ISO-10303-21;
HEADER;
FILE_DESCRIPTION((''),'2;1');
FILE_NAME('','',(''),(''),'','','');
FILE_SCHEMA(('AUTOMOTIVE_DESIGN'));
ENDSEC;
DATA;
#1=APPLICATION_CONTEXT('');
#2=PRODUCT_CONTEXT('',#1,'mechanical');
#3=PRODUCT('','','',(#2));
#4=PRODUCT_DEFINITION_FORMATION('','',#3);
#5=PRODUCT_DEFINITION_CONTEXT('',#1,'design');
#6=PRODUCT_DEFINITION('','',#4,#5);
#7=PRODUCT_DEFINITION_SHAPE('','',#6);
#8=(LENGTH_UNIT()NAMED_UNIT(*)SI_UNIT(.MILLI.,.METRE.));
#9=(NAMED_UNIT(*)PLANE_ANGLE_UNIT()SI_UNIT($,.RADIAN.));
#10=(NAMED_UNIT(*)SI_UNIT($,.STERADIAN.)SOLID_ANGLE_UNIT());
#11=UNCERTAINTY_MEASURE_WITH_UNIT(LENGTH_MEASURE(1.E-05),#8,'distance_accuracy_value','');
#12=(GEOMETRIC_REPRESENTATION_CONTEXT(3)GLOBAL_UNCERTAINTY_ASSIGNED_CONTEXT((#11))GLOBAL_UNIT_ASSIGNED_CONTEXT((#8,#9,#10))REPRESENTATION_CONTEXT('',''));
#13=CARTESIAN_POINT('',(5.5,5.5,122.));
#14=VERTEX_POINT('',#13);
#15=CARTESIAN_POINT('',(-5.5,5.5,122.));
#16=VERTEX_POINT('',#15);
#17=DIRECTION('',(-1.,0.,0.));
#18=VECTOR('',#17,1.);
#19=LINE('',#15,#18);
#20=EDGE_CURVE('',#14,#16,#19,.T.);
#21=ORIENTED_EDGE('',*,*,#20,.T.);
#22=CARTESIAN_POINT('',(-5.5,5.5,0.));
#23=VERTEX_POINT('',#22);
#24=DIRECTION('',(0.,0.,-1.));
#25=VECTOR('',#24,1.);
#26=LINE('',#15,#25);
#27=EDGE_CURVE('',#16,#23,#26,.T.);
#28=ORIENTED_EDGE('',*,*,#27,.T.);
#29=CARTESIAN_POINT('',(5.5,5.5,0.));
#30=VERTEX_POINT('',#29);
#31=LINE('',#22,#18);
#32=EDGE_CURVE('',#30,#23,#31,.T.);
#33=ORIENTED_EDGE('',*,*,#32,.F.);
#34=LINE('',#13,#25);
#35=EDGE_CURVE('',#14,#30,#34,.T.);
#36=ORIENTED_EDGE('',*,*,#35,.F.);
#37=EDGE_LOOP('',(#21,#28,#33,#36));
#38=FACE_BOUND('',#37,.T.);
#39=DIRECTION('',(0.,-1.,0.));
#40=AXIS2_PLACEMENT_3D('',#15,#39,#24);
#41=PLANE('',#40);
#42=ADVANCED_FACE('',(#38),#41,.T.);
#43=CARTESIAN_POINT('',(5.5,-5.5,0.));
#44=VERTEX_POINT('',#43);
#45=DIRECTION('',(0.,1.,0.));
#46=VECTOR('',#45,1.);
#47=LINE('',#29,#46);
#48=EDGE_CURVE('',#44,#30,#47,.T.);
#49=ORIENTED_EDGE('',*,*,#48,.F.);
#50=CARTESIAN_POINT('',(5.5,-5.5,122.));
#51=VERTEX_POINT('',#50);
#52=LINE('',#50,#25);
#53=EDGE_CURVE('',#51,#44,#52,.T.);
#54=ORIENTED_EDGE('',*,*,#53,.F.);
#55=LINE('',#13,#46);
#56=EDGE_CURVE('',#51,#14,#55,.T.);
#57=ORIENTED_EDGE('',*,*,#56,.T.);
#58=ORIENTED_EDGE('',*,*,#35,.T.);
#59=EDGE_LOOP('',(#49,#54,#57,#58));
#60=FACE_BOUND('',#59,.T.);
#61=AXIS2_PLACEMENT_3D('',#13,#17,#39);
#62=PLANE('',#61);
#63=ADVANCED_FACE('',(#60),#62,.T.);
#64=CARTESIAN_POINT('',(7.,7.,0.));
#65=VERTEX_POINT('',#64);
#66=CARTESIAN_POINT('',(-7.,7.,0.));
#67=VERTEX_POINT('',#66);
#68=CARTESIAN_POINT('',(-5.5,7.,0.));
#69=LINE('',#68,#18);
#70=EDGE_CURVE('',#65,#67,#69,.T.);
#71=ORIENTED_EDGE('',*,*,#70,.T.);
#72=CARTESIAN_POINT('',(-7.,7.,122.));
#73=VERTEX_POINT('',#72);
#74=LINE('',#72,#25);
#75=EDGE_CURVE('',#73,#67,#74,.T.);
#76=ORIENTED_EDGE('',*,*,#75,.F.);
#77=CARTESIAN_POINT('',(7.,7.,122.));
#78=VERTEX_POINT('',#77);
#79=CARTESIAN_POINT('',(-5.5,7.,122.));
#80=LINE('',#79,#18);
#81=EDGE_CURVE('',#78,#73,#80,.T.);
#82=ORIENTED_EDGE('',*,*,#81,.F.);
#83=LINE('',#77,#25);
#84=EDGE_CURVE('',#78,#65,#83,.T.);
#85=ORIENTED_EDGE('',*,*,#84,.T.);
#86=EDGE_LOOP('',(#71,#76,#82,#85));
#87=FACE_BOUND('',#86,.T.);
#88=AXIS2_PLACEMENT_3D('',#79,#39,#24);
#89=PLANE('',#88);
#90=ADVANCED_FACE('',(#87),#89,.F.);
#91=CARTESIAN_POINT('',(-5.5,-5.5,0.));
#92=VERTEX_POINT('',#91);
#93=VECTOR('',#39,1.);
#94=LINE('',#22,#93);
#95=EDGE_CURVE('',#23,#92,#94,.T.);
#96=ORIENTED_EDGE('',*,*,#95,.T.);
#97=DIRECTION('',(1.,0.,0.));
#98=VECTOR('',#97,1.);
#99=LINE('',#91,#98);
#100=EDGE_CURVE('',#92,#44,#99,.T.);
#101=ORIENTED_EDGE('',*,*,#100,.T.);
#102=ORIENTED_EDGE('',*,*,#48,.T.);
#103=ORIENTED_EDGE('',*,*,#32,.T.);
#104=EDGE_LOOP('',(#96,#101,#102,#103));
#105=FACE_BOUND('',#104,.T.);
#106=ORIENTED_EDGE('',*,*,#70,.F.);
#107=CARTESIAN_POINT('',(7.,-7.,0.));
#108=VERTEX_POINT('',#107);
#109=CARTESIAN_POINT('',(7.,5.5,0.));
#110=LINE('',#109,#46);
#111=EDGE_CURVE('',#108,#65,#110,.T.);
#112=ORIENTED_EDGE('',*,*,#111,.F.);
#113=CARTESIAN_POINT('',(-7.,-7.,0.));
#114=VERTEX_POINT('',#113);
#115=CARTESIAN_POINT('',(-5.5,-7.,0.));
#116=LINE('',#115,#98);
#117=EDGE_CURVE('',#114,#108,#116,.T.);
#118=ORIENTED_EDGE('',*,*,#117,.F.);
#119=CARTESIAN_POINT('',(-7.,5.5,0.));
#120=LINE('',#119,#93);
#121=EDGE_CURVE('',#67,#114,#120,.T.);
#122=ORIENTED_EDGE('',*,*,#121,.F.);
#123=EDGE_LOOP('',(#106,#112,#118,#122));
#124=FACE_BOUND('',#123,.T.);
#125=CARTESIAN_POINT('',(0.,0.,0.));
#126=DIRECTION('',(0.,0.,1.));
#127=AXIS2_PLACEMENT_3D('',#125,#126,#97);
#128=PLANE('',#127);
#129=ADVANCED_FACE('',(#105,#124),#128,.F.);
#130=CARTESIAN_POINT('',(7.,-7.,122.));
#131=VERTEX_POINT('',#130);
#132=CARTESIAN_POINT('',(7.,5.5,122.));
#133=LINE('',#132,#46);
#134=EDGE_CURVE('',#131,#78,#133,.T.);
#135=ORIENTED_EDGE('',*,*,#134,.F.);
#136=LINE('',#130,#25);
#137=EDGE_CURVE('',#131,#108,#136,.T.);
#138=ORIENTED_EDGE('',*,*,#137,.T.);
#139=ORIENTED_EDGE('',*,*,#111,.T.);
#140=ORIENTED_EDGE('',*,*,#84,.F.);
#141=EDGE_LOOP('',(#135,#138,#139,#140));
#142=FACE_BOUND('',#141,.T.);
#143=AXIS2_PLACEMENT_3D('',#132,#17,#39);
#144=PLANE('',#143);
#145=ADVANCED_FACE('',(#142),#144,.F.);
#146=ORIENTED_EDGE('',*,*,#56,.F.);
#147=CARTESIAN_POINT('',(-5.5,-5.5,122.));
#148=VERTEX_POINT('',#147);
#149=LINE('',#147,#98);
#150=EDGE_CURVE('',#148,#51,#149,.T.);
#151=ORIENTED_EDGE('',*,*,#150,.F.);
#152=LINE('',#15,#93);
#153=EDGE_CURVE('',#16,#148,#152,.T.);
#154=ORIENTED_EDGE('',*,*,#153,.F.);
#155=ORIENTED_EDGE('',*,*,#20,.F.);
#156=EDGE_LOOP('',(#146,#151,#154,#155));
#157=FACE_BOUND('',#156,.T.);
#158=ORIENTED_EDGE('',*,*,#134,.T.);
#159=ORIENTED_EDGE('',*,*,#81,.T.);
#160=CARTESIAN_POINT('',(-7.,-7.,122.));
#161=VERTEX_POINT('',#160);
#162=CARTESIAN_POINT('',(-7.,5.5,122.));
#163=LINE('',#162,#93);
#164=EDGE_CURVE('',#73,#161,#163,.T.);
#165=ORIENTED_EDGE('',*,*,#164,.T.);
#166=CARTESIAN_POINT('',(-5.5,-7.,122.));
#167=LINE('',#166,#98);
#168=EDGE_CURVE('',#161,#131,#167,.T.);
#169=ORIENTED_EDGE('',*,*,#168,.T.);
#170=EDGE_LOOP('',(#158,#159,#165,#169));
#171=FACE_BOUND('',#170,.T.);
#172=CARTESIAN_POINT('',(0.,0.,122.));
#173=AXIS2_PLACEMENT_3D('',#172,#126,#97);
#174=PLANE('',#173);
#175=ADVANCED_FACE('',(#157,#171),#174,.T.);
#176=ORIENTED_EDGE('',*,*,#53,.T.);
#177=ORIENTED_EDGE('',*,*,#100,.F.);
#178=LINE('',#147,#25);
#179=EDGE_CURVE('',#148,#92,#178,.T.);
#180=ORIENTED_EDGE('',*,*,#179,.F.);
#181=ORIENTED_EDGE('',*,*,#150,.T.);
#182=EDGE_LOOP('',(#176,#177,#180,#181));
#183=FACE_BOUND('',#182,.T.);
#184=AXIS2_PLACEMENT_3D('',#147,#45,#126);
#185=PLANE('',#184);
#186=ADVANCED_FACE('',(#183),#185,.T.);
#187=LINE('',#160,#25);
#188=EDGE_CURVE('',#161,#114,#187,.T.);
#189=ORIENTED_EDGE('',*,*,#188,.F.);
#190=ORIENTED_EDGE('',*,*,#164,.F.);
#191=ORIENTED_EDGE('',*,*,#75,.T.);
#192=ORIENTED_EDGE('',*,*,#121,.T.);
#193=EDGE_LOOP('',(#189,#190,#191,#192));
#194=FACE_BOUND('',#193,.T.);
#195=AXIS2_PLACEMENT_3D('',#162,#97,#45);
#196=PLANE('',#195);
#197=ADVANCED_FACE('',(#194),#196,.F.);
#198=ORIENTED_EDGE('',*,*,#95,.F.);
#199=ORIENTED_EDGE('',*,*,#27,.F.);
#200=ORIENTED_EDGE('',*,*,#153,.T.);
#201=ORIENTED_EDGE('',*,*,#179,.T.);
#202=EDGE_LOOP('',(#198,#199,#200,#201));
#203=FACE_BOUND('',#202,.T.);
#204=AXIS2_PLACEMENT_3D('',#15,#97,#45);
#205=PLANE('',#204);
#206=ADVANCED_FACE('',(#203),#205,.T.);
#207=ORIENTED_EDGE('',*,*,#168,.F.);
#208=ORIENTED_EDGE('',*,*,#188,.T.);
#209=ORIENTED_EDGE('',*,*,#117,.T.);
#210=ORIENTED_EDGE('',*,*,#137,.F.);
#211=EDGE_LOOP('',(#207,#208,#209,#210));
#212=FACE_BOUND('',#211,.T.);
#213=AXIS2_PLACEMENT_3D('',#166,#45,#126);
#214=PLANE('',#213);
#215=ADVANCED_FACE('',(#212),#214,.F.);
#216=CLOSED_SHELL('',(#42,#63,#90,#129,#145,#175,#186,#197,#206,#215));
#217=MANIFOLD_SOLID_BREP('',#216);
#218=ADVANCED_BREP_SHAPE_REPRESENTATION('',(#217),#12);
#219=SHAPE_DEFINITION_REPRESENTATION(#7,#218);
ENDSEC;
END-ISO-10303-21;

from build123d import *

# Parameters (mm, degrees)
SKETCH_1_W      = 14
SKETCH_1_H      = 14
SKETCH_1_W_2    = 11
SKETCH_1_H_2    = 11
EXTRUDE_1_DEPTH = 122


with BuildPart() as part:
    # 草图1 → 拉伸-薄壁1 (new body)
    with BuildSketch(Plane.XY):
        Rectangle(SKETCH_1_W, SKETCH_1_H)
        Rectangle(SKETCH_1_W_2, SKETCH_1_H_2, mode=Mode.SUBTRACT)
    extrude(amount=EXTRUDE_1_DEPTH)


solid = part.part
